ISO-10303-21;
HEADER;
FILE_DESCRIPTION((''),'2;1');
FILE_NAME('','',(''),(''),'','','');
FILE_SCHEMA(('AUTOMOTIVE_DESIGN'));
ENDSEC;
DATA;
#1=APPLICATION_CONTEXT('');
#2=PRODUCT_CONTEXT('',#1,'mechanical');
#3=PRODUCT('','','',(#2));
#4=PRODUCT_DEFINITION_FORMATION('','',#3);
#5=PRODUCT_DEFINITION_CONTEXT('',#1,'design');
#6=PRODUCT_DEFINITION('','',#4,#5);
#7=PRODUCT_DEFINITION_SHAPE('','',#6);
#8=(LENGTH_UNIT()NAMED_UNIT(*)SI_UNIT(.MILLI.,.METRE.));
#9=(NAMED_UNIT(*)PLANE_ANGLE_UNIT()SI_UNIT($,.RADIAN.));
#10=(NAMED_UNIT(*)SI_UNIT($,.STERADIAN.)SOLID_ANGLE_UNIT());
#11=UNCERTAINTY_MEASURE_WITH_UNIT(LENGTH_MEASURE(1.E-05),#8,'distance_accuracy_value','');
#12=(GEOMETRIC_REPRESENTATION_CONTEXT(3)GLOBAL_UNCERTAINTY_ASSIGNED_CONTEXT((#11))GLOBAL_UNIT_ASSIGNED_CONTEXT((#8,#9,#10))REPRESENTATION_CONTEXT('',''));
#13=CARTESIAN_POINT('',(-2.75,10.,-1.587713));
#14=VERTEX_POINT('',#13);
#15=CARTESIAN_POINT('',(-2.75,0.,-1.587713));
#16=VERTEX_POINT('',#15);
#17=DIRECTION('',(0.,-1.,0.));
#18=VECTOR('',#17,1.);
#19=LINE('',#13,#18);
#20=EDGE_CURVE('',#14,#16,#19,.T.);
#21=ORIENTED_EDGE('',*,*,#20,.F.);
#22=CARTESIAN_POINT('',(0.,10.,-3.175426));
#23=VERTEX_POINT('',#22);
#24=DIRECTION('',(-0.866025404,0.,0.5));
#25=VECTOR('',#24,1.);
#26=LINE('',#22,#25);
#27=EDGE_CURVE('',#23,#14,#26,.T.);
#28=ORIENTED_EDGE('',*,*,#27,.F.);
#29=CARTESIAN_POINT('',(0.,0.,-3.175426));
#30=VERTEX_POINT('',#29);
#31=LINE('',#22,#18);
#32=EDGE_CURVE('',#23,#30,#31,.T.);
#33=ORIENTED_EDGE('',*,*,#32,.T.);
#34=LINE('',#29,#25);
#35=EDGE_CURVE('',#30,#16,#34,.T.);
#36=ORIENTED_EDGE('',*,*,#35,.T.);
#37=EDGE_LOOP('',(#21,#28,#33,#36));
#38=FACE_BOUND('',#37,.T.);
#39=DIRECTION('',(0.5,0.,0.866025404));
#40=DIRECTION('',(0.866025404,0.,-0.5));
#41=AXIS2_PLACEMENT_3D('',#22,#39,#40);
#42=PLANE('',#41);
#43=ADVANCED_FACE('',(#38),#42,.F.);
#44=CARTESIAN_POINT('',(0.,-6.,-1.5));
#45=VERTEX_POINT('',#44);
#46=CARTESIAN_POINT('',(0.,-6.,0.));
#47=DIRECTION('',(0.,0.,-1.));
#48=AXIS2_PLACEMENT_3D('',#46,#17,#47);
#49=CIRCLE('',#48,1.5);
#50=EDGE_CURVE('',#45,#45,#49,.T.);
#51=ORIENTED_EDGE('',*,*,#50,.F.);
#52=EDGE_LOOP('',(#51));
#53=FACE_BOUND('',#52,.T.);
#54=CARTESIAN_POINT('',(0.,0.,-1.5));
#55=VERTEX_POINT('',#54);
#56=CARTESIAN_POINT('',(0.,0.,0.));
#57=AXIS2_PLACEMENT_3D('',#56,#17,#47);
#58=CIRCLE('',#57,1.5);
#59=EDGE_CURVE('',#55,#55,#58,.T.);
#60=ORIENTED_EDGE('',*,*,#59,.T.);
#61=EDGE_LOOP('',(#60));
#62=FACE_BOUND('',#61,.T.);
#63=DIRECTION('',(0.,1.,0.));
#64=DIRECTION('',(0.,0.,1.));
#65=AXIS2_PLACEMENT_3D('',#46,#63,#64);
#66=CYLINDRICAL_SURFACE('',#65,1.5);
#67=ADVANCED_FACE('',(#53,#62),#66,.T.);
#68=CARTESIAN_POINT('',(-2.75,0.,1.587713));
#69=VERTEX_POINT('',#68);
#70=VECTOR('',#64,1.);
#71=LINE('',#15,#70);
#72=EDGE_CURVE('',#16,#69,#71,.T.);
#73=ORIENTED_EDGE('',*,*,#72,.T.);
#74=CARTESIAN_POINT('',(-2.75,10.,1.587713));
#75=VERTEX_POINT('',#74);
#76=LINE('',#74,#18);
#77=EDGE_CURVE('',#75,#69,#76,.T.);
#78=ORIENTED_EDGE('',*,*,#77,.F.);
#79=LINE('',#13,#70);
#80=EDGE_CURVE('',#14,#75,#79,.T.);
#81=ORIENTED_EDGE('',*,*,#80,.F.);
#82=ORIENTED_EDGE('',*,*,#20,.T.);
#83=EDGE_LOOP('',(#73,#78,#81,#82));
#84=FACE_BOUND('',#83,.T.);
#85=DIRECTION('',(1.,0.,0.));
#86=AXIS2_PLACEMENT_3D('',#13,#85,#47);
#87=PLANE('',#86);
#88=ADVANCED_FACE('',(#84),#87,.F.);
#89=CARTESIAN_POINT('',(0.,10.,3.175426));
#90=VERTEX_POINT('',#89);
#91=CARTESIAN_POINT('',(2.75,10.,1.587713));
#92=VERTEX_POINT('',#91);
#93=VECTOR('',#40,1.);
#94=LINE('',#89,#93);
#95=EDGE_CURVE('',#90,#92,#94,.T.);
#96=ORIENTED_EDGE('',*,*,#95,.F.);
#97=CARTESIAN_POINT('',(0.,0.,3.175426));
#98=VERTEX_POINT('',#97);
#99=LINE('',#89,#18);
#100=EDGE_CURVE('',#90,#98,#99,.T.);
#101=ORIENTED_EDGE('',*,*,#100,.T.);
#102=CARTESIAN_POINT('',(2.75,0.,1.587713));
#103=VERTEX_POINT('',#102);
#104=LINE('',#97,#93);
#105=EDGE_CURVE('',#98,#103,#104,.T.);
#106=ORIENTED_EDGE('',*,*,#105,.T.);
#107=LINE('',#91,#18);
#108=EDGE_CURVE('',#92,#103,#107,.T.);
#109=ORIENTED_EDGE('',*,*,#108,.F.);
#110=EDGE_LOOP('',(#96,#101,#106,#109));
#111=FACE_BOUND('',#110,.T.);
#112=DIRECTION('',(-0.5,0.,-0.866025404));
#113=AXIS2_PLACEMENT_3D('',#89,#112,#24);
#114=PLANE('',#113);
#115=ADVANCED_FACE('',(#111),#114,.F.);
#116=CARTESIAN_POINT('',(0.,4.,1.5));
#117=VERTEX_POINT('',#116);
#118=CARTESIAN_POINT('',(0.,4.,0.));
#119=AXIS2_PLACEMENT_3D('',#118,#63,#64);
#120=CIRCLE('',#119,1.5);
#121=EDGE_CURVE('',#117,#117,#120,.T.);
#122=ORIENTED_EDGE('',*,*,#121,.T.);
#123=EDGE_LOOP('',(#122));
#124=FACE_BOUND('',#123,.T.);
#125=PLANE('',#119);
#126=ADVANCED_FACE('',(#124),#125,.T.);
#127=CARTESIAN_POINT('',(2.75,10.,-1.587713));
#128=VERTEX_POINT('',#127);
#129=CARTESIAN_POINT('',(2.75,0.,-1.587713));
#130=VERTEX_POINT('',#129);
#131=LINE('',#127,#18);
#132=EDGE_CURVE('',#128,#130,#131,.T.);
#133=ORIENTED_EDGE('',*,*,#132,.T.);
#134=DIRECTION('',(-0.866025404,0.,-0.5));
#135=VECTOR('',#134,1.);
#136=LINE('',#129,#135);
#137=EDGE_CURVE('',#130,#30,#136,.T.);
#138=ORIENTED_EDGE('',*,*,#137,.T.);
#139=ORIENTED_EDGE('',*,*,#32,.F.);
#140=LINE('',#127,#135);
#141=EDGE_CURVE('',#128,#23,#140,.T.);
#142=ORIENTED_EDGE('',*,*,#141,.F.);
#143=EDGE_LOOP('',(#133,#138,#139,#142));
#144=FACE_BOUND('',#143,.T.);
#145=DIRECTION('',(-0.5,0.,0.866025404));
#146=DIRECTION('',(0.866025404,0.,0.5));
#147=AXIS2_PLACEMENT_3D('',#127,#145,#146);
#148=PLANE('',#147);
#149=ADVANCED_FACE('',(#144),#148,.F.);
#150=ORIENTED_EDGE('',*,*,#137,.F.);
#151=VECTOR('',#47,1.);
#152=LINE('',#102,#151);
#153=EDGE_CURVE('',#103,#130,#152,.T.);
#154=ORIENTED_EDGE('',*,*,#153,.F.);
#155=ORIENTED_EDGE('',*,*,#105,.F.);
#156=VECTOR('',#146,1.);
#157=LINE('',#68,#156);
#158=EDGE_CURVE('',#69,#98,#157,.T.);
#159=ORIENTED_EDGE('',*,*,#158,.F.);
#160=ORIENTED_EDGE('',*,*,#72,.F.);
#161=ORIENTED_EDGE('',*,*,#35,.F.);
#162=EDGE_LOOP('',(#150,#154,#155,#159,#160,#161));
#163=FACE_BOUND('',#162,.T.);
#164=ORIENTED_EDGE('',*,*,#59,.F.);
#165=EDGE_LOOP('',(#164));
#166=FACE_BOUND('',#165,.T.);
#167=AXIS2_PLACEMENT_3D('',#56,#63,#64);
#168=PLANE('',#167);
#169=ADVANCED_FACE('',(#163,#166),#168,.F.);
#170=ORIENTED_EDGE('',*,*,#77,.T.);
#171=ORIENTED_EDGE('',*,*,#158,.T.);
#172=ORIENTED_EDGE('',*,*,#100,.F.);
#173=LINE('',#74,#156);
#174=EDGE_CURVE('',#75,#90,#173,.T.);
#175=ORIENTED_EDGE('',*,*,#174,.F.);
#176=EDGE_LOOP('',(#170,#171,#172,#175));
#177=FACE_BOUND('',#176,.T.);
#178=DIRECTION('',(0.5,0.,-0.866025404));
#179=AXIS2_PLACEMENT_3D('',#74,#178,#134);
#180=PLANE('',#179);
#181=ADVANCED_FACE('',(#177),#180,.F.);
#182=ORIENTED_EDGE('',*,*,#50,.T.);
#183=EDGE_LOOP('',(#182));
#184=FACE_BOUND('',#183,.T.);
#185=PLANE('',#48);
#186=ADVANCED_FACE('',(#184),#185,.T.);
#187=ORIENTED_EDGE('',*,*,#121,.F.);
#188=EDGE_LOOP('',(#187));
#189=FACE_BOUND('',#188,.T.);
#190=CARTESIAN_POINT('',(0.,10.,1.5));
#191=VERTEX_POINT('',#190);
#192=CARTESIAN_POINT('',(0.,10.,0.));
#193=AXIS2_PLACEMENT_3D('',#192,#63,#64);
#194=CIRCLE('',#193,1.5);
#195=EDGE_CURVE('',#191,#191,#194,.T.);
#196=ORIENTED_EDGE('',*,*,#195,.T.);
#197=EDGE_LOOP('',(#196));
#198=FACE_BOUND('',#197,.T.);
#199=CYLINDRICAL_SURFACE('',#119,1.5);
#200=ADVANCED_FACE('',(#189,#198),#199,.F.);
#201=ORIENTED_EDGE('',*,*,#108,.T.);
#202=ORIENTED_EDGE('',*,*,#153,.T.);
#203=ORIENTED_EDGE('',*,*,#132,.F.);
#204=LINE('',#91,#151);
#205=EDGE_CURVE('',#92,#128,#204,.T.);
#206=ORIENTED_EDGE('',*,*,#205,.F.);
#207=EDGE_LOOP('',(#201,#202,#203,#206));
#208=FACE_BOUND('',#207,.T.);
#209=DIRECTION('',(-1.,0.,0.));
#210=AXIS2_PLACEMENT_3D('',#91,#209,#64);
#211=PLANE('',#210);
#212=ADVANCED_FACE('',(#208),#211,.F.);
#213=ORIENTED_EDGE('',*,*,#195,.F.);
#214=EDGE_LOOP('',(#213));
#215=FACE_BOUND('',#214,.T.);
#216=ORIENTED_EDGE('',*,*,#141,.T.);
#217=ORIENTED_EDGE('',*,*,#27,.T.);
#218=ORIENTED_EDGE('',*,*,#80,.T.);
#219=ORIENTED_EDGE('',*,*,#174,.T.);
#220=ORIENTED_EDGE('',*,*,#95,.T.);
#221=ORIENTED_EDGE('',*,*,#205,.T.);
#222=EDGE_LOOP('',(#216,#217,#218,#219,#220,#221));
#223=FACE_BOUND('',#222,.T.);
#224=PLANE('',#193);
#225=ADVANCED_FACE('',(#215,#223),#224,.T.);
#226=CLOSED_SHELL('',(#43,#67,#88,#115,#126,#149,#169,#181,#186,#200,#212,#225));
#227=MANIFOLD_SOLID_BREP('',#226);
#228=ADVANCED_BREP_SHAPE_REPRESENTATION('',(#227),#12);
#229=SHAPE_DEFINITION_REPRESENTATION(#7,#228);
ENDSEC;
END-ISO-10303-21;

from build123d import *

# Parameters (mm, degrees)
SALIENTE_EXTRUIR1_DEPTH = 10
CROQUIS2_R              = 1.5
SALIENTE_EXTRUIR2_DEPTH = 6
CROQUIS3_R              = 1.5
CORTAR_EXTRUIR1_DEPTH   = 6


with BuildPart() as part:
    # Croquis1 → Saliente-Extruir1 (new body)
    with BuildSketch(Plane(origin=(0, 0, 0), x_dir=(1, 0, 0), z_dir=(0, 1, 0))):
        Polygon((0, 3.175426481), (-2.75, 1.58771324), (-2.75, -1.58771324), (0, -3.175426481), (2.75, -1.58771324), (2.75, 1.58771324), align=None)
    extrude(amount=SALIENTE_EXTRUIR1_DEPTH)

    # Croquis2 → Saliente-Extruir2 (add)
    with BuildSketch(Plane.XZ):
        Circle(CROQUIS2_R)
    extrude(amount=SALIENTE_EXTRUIR2_DEPTH)

    # Croquis3 → Cortar-Extruir1 (cut)
    with BuildSketch(Plane(origin=(0, 10, 0), x_dir=(1, 0, 0), z_dir=(0, 1, 0))):
        Circle(CROQUIS3_R)
    extrude(amount=-CORTAR_EXTRUIR1_DEPTH, mode=Mode.SUBTRACT)


solid = part.part
